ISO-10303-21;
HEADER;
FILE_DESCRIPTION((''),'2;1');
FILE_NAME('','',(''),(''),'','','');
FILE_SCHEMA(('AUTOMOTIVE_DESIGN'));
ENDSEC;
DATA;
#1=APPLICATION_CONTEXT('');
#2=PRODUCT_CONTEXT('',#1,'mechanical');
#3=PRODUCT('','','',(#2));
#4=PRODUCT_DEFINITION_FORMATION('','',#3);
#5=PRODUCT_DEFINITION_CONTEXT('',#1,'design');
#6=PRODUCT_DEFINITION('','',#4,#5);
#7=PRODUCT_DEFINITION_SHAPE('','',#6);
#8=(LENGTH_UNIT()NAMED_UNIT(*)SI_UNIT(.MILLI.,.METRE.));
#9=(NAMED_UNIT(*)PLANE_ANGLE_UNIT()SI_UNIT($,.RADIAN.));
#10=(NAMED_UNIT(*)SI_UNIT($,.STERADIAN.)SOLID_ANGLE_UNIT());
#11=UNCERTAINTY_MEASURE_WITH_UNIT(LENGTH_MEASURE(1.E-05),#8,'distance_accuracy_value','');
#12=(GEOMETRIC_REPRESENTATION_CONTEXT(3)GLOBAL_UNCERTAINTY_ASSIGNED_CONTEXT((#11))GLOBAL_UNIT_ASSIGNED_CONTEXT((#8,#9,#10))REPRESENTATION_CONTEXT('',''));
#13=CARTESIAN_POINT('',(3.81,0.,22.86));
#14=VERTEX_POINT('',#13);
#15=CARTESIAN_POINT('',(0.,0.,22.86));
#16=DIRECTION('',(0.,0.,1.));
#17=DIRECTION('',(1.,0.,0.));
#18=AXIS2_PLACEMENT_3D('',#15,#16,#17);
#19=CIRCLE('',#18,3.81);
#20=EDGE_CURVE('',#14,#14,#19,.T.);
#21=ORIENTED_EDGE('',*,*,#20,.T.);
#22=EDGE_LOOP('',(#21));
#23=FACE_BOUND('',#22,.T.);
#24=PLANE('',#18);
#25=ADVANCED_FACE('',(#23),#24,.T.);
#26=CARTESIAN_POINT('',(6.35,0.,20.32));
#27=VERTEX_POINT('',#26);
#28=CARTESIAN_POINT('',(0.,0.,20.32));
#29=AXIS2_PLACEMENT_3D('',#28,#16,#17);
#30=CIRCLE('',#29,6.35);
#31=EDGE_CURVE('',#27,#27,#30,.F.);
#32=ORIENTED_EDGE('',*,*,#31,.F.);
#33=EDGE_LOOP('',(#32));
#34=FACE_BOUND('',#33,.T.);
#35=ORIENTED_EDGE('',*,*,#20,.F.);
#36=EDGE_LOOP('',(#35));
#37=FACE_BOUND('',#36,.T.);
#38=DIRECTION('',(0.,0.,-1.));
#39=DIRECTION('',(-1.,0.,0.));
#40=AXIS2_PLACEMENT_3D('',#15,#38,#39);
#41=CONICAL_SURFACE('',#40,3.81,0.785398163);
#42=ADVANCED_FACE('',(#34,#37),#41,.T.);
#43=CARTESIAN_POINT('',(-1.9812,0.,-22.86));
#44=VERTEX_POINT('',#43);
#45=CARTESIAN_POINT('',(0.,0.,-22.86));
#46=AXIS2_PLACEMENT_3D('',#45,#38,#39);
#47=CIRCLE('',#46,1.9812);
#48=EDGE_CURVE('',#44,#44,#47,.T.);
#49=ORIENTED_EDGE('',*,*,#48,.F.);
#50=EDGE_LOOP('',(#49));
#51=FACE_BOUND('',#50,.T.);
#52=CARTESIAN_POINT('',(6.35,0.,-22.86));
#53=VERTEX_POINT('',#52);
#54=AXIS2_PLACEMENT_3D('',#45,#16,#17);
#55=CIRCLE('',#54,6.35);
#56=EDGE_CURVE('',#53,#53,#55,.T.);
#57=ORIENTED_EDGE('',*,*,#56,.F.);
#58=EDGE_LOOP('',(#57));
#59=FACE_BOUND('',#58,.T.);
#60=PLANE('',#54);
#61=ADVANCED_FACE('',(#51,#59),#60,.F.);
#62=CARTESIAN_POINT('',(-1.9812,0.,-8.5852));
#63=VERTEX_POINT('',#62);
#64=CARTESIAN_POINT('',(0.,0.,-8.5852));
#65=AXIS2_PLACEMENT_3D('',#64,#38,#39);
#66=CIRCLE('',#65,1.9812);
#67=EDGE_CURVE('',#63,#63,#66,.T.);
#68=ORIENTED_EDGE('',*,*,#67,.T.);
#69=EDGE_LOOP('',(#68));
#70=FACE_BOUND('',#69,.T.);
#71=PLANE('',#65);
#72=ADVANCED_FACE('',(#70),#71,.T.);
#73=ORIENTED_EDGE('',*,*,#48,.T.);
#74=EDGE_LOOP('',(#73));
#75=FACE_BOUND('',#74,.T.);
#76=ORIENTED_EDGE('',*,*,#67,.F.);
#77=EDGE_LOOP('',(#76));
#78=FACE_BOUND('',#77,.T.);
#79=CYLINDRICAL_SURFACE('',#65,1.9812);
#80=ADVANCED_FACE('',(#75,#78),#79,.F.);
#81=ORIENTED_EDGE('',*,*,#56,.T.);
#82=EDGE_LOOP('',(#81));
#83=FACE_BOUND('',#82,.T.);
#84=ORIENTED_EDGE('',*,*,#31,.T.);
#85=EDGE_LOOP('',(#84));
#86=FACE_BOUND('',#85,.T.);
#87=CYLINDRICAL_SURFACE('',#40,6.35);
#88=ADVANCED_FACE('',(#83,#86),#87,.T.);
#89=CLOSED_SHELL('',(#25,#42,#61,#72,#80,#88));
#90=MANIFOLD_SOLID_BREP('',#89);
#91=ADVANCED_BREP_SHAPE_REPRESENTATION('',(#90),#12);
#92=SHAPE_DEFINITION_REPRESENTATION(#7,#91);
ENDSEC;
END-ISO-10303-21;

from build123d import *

# Parameters (mm, degrees)
SKETCH1_R           = 6.35
BOSS_EXTRUDE1_DEPTH = 22.86
CHAMFER1_SIZE       = 2.54
SKETCH2_R           = 1.9812
CUT_EXTRUDE1_DEPTH  = 14.2748


with BuildPart() as part:
    # Sketch1 → Boss-Extrude1 (new, symmetric)
    with BuildSketch(Plane.XY):
        Circle(SKETCH1_R)
    extrude(amount=BOSS_EXTRUDE1_DEPTH, both=True)

    # Chamfer1
    chamfer1_edges = [part.edges().sort_by_distance(p)[0] for p in [
        (-6.35, 0, 22.86),
    ]]
    chamfer(chamfer1_edges, length=CHAMFER1_SIZE)

    # Sketch2 → Cut-Extrude1 (cut)
    with BuildSketch(Plane(origin=(0, 0, -22.86), x_dir=(-1, 0, 0), z_dir=(0, 0, -1))):
        Circle(SKETCH2_R)
    extrude(amount=-CUT_EXTRUDE1_DEPTH, mode=Mode.SUBTRACT)


solid = part.part
